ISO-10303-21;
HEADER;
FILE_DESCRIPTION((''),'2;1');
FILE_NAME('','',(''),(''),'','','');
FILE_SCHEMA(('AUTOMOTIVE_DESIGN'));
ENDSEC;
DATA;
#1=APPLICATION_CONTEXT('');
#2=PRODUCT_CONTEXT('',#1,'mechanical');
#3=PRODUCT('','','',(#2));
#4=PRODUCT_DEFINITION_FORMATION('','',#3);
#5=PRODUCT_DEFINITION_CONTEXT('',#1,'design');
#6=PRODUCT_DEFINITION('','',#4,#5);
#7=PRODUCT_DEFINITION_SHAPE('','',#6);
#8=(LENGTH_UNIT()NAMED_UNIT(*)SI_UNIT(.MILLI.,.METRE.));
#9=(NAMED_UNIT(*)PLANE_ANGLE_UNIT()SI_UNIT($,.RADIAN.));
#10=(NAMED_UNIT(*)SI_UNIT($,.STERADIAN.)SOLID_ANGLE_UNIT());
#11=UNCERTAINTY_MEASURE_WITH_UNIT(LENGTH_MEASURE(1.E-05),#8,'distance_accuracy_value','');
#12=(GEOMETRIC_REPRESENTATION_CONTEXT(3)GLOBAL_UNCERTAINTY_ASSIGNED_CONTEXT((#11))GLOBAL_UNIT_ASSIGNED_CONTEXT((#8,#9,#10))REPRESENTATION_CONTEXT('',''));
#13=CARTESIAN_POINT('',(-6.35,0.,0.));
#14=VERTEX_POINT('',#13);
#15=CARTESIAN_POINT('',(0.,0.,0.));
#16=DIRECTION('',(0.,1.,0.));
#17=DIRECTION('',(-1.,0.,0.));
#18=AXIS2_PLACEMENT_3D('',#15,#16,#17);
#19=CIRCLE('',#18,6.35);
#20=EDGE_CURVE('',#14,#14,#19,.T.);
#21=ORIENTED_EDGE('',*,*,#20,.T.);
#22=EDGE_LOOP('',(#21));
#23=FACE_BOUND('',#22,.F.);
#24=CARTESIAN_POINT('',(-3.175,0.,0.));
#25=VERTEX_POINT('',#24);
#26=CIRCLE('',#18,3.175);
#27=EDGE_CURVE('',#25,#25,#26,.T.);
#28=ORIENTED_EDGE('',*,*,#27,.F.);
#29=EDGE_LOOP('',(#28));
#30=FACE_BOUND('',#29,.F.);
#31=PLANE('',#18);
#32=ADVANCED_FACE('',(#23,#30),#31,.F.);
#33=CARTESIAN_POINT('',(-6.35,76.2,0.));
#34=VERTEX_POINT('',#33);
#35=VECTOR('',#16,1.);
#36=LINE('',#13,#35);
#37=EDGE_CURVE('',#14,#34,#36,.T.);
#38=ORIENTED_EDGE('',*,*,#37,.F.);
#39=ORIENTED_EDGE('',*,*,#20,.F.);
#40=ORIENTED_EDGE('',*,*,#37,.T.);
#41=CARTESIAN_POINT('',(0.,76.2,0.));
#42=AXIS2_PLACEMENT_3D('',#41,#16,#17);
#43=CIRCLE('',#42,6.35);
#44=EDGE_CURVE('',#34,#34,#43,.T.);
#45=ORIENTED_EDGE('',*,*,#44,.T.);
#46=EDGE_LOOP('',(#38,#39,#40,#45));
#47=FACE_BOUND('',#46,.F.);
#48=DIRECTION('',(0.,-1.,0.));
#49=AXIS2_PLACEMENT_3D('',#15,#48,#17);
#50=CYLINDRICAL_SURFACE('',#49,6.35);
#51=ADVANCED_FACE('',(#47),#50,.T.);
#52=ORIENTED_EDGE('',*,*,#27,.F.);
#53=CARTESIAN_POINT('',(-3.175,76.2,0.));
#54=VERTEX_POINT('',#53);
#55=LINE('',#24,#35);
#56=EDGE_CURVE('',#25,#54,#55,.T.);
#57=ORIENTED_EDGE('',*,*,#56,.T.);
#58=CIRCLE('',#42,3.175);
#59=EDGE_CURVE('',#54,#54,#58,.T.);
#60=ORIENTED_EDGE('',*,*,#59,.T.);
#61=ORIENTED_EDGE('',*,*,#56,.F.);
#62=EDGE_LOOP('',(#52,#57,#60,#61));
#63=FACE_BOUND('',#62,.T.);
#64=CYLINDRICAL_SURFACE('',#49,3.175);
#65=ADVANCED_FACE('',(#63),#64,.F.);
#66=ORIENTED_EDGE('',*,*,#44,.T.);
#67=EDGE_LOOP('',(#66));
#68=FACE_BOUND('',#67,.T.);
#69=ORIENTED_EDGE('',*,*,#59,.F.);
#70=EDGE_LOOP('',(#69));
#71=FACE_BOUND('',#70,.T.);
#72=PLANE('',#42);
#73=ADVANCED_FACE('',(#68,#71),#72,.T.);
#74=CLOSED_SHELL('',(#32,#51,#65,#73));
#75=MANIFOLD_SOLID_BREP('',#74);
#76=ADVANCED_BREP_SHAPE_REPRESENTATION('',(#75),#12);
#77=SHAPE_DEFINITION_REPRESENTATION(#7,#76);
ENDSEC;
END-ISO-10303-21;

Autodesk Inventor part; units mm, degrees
ref_plane "YZ Plane" through (0, 0, 0) normal (1, 0, 0) x (0, 1, 0)
ref_plane "XZ Plane" through (0, 0, 0) normal (0, 1, 0) x (-1, 0, 0)
ref_plane "XY Plane" through (0, 0, 0) normal (0, 0, 1) x (1, 0, 0)
sketch "Sketch1" plane through (0, 0, 0) normal (0, 1, 0) x (-1, 0, 0)
  circle A0 centre (0, 0) radius 6.35
  circle A1 centre (0, 0) radius 3.175
  dimension "d0" = 12.7
  dimension "d1" = 6.35
extrude "Extrusion1" add sketch "Sketch1" along normal blind 76.2
properties part number "drive in a day axile tube" material "Aluminum 6061"
